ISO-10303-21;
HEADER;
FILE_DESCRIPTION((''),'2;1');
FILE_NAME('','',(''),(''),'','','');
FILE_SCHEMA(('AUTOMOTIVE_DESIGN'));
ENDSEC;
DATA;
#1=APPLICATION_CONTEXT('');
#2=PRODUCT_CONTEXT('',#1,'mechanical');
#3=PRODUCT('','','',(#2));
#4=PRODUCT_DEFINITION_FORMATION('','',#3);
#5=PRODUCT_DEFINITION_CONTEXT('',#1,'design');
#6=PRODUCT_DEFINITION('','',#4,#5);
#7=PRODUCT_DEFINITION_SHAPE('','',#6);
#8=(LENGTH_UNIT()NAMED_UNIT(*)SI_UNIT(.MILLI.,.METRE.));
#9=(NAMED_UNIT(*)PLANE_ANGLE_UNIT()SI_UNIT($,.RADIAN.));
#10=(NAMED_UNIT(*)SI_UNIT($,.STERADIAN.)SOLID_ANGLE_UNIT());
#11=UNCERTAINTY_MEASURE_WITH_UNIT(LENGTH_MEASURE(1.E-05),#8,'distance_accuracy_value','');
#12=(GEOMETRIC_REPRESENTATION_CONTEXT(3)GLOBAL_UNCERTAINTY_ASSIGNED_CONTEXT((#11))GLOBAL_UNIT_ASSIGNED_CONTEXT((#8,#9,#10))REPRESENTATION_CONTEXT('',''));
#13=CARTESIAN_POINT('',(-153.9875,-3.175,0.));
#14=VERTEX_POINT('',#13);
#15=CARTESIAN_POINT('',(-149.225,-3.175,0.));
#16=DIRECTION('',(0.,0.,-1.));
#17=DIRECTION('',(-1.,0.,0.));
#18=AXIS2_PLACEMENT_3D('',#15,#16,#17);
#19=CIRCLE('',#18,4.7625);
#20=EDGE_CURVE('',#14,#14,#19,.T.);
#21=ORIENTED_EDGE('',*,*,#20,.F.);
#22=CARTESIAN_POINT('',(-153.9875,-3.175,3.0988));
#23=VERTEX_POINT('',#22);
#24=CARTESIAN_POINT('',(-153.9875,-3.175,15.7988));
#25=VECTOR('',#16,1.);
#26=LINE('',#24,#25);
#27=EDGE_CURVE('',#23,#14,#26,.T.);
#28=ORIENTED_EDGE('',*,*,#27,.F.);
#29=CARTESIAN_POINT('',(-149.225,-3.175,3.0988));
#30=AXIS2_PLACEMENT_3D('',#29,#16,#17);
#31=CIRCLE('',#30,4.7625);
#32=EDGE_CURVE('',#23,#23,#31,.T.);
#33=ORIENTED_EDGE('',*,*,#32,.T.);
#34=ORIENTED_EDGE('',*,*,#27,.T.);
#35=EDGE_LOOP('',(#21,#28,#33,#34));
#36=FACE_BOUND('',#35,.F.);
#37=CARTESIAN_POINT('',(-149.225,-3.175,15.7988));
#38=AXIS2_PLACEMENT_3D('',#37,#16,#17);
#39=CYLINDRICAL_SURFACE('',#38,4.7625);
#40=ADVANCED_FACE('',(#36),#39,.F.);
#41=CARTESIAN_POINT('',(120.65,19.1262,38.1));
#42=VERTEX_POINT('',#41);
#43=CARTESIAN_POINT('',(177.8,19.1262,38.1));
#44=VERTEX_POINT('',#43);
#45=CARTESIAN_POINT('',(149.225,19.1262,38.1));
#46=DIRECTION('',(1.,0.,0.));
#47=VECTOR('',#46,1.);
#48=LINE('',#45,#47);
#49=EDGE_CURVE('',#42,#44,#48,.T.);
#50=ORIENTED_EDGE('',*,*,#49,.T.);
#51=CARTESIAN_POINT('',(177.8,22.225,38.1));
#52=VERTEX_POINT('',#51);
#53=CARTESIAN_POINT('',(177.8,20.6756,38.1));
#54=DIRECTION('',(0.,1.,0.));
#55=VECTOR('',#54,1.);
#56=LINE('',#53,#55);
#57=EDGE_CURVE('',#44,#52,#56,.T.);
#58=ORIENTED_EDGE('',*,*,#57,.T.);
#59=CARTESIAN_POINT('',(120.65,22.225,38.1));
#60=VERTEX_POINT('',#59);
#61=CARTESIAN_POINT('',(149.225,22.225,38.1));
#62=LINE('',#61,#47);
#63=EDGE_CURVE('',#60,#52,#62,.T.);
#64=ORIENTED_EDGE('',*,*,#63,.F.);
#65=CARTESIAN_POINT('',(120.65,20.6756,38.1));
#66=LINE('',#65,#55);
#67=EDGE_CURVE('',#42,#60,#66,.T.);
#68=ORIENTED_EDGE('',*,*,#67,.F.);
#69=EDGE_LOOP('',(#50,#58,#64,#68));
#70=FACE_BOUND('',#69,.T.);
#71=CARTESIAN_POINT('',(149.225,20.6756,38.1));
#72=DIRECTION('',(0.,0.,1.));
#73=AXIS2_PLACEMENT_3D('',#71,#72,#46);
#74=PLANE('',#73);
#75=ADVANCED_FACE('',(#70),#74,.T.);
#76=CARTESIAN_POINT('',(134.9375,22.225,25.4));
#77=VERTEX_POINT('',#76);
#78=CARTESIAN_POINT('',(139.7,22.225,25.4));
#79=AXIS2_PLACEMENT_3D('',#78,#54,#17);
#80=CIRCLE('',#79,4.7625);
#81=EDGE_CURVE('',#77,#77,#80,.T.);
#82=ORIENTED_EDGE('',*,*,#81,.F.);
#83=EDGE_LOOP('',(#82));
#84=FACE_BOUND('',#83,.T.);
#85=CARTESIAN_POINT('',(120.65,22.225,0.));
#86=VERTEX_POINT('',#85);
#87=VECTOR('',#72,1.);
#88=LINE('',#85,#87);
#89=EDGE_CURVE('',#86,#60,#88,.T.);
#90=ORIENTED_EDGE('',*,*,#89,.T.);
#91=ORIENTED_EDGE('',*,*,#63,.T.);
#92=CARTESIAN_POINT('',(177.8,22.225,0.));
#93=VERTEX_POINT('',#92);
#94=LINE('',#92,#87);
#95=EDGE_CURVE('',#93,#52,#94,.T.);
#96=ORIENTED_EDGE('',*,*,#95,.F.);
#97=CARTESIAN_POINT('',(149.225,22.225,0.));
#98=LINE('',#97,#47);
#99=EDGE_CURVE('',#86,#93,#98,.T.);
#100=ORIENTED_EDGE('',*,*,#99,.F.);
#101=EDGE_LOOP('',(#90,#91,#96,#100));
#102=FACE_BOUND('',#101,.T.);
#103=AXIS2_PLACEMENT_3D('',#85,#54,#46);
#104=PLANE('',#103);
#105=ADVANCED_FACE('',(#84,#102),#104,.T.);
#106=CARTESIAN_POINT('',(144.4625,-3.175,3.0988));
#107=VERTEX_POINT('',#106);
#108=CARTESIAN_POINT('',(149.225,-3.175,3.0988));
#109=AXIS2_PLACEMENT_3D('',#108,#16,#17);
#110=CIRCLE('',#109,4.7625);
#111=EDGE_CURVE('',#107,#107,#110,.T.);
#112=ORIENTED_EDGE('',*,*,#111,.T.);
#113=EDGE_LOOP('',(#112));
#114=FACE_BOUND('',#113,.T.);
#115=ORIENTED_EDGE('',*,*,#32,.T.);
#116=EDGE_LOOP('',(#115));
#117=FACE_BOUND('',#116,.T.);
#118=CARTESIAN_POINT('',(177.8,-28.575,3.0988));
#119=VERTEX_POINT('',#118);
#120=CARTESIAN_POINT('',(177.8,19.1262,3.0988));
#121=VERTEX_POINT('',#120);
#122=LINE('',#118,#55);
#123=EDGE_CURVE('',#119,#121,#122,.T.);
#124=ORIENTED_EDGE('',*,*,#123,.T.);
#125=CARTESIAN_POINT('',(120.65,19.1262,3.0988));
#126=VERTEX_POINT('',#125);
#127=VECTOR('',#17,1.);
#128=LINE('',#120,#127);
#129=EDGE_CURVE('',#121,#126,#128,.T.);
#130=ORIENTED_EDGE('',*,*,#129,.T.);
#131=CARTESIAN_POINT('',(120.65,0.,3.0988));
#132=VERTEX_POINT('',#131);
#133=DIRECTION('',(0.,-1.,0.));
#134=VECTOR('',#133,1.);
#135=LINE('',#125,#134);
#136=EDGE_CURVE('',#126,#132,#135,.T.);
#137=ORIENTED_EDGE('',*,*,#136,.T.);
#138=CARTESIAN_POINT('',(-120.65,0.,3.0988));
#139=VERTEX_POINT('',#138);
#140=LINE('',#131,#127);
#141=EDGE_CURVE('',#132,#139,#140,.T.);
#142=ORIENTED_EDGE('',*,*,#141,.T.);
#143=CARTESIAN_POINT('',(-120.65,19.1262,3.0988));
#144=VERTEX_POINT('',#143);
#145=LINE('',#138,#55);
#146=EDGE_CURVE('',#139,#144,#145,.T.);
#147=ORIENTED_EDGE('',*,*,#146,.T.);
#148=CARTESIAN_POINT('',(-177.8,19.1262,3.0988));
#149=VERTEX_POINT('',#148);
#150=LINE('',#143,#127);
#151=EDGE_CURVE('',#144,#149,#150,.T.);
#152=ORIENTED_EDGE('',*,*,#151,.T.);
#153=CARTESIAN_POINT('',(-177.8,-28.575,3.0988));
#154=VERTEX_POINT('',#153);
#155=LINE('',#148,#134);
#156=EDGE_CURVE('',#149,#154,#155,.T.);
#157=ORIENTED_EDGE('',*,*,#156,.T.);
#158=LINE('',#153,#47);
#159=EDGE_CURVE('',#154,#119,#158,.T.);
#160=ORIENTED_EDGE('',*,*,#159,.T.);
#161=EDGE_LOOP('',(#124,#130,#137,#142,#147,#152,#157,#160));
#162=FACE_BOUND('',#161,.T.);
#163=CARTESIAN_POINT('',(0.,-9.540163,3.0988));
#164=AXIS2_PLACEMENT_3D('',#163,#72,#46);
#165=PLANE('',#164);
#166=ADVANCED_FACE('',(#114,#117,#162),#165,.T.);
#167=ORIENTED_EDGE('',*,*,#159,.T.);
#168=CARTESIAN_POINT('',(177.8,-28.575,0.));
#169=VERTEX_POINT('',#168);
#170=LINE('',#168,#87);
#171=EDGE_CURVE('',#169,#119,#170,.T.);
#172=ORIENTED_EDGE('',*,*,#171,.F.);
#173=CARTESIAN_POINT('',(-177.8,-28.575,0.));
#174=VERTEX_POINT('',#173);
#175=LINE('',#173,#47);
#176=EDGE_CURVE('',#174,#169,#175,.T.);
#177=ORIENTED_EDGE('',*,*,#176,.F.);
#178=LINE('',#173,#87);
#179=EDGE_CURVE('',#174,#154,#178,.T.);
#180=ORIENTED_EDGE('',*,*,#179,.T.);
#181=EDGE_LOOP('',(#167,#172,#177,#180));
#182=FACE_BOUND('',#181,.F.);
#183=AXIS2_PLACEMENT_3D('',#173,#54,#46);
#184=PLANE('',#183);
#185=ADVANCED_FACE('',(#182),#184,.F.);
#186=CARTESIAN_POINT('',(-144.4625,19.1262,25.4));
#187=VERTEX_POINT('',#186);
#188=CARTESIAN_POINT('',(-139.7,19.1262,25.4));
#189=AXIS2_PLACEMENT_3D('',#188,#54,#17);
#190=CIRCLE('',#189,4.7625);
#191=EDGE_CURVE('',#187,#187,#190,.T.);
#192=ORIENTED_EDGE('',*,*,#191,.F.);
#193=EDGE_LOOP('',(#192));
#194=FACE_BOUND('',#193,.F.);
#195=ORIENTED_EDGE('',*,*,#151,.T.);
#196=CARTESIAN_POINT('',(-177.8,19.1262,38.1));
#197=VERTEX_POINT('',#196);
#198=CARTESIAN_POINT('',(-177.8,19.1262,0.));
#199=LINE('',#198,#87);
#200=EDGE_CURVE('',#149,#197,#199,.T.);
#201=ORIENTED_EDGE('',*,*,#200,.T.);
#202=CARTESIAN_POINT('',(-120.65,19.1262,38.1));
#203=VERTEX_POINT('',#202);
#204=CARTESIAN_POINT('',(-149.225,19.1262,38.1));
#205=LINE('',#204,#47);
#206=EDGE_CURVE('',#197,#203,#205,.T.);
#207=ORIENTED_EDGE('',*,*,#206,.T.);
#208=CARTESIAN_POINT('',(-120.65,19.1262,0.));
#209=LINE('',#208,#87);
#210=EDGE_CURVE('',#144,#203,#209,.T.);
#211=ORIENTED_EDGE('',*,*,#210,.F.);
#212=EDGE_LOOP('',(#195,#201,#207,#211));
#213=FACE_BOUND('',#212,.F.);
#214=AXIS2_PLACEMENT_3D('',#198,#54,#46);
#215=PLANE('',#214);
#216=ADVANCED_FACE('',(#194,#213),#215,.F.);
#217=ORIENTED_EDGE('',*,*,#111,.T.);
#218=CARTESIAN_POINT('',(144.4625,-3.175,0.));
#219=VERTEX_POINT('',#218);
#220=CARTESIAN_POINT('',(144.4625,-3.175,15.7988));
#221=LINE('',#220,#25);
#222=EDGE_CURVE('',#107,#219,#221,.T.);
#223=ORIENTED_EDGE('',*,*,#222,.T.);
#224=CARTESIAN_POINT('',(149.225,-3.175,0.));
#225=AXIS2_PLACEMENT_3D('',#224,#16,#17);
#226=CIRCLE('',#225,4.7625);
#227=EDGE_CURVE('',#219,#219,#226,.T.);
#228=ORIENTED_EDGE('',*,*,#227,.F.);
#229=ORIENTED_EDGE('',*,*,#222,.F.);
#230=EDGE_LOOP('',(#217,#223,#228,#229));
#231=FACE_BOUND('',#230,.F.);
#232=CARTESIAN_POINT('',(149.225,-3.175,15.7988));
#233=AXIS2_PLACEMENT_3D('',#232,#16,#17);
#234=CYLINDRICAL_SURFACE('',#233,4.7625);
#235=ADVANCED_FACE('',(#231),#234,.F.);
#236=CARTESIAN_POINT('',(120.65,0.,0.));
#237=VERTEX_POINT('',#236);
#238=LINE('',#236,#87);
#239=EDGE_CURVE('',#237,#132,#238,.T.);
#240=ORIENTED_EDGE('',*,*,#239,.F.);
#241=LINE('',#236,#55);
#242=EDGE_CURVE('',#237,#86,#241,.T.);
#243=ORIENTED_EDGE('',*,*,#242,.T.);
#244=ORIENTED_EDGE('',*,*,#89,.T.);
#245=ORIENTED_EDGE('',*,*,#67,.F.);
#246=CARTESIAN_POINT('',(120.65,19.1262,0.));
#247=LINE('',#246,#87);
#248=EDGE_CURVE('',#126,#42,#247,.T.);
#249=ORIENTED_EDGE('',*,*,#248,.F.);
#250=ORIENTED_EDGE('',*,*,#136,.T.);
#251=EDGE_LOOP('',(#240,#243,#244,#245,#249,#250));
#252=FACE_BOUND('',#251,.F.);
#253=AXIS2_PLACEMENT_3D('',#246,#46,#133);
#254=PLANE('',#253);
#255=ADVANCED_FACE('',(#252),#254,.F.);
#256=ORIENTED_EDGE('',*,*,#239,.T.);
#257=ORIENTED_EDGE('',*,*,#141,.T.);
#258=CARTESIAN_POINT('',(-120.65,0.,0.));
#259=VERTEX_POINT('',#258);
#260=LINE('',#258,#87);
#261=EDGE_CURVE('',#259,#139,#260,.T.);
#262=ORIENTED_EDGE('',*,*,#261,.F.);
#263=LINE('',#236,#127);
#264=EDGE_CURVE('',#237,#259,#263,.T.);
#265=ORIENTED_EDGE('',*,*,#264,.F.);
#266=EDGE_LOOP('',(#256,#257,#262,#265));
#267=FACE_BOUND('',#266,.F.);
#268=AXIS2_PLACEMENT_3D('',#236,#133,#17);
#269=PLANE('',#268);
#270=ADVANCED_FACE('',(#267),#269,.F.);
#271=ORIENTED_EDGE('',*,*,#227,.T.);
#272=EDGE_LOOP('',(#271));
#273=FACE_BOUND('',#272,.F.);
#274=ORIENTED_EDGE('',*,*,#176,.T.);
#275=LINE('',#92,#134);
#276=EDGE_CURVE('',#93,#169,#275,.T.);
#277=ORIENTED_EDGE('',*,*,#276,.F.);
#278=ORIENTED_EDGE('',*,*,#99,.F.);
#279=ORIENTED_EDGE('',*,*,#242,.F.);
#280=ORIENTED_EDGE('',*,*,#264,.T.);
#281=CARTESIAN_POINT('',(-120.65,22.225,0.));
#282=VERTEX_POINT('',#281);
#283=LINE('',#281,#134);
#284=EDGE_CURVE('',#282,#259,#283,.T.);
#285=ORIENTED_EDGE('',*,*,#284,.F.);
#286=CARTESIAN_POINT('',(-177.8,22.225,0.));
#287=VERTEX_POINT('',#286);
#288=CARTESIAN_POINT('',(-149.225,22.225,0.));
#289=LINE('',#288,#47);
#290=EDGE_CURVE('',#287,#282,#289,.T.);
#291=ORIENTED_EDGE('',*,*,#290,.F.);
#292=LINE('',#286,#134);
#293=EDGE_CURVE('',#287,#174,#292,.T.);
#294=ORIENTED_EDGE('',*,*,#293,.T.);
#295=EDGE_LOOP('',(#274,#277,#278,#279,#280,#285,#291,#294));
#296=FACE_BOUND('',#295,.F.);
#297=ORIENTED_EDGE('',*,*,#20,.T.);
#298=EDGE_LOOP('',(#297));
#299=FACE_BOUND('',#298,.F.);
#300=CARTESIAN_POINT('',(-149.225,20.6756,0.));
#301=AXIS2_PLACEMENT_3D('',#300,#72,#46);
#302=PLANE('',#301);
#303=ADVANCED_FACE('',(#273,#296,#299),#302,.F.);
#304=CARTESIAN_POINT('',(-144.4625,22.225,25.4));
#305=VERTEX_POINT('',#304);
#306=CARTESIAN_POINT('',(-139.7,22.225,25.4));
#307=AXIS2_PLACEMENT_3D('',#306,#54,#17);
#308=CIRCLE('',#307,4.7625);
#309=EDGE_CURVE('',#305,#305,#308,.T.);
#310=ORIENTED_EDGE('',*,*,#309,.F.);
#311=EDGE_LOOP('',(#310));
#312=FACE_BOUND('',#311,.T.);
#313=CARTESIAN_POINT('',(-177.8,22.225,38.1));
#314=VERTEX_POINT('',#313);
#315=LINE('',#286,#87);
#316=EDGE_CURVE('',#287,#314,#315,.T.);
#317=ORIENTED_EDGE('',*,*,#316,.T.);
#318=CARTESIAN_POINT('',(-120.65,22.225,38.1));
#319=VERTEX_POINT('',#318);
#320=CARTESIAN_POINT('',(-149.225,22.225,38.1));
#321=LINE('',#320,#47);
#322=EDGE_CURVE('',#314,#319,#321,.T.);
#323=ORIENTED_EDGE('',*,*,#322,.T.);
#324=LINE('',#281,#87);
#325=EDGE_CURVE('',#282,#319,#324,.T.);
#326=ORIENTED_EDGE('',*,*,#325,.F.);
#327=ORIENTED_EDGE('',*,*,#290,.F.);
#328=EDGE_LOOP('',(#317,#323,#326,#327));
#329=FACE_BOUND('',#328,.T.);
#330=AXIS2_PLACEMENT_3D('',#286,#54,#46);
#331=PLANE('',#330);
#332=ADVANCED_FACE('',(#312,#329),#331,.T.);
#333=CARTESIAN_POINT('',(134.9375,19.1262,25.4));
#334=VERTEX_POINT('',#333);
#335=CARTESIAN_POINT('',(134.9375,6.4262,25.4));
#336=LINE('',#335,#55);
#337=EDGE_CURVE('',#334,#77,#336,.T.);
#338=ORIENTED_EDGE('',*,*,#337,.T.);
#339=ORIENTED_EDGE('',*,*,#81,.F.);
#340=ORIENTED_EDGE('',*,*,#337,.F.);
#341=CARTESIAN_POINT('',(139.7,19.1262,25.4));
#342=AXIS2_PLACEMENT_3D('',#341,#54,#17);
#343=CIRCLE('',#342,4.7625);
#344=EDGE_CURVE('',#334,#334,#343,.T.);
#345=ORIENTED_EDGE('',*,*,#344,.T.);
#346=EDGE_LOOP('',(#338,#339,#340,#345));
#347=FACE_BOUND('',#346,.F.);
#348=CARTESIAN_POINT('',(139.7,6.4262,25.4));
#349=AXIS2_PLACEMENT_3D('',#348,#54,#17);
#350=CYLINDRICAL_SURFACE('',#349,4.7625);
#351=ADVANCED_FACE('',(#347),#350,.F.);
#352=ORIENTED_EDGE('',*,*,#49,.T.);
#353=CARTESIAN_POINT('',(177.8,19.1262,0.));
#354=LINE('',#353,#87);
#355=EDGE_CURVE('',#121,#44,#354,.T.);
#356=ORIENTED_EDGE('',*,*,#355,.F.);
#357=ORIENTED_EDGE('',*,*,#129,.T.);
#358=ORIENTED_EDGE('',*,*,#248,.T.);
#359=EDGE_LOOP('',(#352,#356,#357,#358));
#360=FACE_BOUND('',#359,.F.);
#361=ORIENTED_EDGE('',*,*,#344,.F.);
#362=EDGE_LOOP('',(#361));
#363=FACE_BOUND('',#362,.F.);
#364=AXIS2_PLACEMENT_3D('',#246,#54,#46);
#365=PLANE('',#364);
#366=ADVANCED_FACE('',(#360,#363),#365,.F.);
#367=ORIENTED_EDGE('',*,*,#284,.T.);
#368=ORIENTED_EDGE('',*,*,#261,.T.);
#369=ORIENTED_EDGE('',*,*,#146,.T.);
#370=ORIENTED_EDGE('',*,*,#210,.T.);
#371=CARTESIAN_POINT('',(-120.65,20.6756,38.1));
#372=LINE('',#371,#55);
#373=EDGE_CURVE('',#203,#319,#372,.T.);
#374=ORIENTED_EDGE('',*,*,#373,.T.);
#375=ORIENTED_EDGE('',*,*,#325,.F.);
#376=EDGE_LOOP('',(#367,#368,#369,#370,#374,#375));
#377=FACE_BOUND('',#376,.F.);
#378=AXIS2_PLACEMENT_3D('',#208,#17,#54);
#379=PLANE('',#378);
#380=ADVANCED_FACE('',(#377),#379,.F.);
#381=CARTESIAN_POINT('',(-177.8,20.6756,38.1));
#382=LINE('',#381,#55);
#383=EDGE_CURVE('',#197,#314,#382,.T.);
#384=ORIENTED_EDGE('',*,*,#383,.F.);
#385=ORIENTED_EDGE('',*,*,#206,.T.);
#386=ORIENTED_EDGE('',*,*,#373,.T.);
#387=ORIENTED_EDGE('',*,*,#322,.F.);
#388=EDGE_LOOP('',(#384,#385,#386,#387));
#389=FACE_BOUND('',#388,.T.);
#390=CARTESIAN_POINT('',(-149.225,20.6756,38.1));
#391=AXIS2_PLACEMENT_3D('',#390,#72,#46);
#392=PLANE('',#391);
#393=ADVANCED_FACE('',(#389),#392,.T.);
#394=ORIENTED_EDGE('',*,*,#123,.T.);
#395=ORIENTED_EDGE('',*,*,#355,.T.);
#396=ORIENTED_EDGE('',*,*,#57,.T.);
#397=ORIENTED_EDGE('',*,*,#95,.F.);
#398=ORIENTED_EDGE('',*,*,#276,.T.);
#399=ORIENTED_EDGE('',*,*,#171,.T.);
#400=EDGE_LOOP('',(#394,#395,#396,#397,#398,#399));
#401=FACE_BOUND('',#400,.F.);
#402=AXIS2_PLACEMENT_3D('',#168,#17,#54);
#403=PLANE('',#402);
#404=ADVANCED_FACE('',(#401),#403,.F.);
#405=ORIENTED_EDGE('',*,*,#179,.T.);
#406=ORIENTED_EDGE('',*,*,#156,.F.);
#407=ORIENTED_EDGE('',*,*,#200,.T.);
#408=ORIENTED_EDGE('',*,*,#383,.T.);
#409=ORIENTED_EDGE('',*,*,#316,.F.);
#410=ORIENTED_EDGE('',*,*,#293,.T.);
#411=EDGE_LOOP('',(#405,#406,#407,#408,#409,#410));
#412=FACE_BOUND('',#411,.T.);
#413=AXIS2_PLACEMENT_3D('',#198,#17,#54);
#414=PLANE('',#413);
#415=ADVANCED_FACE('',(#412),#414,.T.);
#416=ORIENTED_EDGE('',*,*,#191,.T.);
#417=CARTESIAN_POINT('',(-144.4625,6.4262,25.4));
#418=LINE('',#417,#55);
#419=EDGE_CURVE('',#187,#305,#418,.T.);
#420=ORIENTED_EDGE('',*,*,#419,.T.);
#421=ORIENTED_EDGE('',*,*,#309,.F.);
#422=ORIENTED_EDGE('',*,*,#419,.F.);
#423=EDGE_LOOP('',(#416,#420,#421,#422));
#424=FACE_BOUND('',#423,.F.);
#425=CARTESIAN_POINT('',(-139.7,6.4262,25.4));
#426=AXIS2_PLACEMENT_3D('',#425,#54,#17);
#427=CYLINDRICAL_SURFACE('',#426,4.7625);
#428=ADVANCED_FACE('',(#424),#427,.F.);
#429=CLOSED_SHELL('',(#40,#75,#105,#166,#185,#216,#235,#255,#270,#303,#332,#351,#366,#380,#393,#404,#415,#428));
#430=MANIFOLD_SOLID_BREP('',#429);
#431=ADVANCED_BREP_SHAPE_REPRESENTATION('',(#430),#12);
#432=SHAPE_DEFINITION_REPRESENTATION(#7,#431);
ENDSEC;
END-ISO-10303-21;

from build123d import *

# Parameters (mm, degrees)
F1_DEPTH = 3.0988
F0_W     = 57.15
F0_H     = 3.0988
F2_DEPTH = 38.1
F5_D     = 9.525
F5_DEPTH = 12.7
F5_TIP   = 2.8615986981
F7_D     = 9.525
F7_DEPTH = 12.7
F7_TIP   = 2.8615986981


with BuildPart() as f1:
    # F0 (on Top) → F1 (new body)
    with BuildSketch(Plane.XY):
        Polygon((120.65, 0), (-120.65, 0), (-120.65, 19.1262), (-177.8, 19.1262), (-177.8, -28.575), (177.8, -28.575), (177.8, 19.1262), (120.65, 19.1262), align=None)
    extrude(amount=F1_DEPTH)

    # F0 (on Top) → F2 (join)
    with BuildSketch(Plane.XY):
        with Locations((-149.225, 20.6756)):
            Rectangle(F0_W, F0_H)
        with Locations((149.225, 20.6756)):
            Rectangle(F0_W, F0_H)
    extrude(amount=F2_DEPTH)

    # F5
    with Locations(Plane.XZ.offset(-19.1262)):
        with Locations((-139.7, 25.4), (139.7, 25.4)):
            Hole(F5_D / 2, depth=F5_DEPTH)
            with Locations((0, 0, -(F5_DEPTH + F5_TIP / 2))):  # 118° drill point
                Cone(0, F5_D / 2, F5_TIP, mode=Mode.SUBTRACT)

    # F7
    with Locations(Plane.XY.offset(3.0988)):
        with Locations((-149.225, -3.175), (149.225, -3.175)):
            Hole(F7_D / 2, depth=F7_DEPTH)
            with Locations((0, 0, -(F7_DEPTH + F7_TIP / 2))):  # 118° drill point
                Cone(0, F7_D / 2, F7_TIP, mode=Mode.SUBTRACT)


solid = f1.part
